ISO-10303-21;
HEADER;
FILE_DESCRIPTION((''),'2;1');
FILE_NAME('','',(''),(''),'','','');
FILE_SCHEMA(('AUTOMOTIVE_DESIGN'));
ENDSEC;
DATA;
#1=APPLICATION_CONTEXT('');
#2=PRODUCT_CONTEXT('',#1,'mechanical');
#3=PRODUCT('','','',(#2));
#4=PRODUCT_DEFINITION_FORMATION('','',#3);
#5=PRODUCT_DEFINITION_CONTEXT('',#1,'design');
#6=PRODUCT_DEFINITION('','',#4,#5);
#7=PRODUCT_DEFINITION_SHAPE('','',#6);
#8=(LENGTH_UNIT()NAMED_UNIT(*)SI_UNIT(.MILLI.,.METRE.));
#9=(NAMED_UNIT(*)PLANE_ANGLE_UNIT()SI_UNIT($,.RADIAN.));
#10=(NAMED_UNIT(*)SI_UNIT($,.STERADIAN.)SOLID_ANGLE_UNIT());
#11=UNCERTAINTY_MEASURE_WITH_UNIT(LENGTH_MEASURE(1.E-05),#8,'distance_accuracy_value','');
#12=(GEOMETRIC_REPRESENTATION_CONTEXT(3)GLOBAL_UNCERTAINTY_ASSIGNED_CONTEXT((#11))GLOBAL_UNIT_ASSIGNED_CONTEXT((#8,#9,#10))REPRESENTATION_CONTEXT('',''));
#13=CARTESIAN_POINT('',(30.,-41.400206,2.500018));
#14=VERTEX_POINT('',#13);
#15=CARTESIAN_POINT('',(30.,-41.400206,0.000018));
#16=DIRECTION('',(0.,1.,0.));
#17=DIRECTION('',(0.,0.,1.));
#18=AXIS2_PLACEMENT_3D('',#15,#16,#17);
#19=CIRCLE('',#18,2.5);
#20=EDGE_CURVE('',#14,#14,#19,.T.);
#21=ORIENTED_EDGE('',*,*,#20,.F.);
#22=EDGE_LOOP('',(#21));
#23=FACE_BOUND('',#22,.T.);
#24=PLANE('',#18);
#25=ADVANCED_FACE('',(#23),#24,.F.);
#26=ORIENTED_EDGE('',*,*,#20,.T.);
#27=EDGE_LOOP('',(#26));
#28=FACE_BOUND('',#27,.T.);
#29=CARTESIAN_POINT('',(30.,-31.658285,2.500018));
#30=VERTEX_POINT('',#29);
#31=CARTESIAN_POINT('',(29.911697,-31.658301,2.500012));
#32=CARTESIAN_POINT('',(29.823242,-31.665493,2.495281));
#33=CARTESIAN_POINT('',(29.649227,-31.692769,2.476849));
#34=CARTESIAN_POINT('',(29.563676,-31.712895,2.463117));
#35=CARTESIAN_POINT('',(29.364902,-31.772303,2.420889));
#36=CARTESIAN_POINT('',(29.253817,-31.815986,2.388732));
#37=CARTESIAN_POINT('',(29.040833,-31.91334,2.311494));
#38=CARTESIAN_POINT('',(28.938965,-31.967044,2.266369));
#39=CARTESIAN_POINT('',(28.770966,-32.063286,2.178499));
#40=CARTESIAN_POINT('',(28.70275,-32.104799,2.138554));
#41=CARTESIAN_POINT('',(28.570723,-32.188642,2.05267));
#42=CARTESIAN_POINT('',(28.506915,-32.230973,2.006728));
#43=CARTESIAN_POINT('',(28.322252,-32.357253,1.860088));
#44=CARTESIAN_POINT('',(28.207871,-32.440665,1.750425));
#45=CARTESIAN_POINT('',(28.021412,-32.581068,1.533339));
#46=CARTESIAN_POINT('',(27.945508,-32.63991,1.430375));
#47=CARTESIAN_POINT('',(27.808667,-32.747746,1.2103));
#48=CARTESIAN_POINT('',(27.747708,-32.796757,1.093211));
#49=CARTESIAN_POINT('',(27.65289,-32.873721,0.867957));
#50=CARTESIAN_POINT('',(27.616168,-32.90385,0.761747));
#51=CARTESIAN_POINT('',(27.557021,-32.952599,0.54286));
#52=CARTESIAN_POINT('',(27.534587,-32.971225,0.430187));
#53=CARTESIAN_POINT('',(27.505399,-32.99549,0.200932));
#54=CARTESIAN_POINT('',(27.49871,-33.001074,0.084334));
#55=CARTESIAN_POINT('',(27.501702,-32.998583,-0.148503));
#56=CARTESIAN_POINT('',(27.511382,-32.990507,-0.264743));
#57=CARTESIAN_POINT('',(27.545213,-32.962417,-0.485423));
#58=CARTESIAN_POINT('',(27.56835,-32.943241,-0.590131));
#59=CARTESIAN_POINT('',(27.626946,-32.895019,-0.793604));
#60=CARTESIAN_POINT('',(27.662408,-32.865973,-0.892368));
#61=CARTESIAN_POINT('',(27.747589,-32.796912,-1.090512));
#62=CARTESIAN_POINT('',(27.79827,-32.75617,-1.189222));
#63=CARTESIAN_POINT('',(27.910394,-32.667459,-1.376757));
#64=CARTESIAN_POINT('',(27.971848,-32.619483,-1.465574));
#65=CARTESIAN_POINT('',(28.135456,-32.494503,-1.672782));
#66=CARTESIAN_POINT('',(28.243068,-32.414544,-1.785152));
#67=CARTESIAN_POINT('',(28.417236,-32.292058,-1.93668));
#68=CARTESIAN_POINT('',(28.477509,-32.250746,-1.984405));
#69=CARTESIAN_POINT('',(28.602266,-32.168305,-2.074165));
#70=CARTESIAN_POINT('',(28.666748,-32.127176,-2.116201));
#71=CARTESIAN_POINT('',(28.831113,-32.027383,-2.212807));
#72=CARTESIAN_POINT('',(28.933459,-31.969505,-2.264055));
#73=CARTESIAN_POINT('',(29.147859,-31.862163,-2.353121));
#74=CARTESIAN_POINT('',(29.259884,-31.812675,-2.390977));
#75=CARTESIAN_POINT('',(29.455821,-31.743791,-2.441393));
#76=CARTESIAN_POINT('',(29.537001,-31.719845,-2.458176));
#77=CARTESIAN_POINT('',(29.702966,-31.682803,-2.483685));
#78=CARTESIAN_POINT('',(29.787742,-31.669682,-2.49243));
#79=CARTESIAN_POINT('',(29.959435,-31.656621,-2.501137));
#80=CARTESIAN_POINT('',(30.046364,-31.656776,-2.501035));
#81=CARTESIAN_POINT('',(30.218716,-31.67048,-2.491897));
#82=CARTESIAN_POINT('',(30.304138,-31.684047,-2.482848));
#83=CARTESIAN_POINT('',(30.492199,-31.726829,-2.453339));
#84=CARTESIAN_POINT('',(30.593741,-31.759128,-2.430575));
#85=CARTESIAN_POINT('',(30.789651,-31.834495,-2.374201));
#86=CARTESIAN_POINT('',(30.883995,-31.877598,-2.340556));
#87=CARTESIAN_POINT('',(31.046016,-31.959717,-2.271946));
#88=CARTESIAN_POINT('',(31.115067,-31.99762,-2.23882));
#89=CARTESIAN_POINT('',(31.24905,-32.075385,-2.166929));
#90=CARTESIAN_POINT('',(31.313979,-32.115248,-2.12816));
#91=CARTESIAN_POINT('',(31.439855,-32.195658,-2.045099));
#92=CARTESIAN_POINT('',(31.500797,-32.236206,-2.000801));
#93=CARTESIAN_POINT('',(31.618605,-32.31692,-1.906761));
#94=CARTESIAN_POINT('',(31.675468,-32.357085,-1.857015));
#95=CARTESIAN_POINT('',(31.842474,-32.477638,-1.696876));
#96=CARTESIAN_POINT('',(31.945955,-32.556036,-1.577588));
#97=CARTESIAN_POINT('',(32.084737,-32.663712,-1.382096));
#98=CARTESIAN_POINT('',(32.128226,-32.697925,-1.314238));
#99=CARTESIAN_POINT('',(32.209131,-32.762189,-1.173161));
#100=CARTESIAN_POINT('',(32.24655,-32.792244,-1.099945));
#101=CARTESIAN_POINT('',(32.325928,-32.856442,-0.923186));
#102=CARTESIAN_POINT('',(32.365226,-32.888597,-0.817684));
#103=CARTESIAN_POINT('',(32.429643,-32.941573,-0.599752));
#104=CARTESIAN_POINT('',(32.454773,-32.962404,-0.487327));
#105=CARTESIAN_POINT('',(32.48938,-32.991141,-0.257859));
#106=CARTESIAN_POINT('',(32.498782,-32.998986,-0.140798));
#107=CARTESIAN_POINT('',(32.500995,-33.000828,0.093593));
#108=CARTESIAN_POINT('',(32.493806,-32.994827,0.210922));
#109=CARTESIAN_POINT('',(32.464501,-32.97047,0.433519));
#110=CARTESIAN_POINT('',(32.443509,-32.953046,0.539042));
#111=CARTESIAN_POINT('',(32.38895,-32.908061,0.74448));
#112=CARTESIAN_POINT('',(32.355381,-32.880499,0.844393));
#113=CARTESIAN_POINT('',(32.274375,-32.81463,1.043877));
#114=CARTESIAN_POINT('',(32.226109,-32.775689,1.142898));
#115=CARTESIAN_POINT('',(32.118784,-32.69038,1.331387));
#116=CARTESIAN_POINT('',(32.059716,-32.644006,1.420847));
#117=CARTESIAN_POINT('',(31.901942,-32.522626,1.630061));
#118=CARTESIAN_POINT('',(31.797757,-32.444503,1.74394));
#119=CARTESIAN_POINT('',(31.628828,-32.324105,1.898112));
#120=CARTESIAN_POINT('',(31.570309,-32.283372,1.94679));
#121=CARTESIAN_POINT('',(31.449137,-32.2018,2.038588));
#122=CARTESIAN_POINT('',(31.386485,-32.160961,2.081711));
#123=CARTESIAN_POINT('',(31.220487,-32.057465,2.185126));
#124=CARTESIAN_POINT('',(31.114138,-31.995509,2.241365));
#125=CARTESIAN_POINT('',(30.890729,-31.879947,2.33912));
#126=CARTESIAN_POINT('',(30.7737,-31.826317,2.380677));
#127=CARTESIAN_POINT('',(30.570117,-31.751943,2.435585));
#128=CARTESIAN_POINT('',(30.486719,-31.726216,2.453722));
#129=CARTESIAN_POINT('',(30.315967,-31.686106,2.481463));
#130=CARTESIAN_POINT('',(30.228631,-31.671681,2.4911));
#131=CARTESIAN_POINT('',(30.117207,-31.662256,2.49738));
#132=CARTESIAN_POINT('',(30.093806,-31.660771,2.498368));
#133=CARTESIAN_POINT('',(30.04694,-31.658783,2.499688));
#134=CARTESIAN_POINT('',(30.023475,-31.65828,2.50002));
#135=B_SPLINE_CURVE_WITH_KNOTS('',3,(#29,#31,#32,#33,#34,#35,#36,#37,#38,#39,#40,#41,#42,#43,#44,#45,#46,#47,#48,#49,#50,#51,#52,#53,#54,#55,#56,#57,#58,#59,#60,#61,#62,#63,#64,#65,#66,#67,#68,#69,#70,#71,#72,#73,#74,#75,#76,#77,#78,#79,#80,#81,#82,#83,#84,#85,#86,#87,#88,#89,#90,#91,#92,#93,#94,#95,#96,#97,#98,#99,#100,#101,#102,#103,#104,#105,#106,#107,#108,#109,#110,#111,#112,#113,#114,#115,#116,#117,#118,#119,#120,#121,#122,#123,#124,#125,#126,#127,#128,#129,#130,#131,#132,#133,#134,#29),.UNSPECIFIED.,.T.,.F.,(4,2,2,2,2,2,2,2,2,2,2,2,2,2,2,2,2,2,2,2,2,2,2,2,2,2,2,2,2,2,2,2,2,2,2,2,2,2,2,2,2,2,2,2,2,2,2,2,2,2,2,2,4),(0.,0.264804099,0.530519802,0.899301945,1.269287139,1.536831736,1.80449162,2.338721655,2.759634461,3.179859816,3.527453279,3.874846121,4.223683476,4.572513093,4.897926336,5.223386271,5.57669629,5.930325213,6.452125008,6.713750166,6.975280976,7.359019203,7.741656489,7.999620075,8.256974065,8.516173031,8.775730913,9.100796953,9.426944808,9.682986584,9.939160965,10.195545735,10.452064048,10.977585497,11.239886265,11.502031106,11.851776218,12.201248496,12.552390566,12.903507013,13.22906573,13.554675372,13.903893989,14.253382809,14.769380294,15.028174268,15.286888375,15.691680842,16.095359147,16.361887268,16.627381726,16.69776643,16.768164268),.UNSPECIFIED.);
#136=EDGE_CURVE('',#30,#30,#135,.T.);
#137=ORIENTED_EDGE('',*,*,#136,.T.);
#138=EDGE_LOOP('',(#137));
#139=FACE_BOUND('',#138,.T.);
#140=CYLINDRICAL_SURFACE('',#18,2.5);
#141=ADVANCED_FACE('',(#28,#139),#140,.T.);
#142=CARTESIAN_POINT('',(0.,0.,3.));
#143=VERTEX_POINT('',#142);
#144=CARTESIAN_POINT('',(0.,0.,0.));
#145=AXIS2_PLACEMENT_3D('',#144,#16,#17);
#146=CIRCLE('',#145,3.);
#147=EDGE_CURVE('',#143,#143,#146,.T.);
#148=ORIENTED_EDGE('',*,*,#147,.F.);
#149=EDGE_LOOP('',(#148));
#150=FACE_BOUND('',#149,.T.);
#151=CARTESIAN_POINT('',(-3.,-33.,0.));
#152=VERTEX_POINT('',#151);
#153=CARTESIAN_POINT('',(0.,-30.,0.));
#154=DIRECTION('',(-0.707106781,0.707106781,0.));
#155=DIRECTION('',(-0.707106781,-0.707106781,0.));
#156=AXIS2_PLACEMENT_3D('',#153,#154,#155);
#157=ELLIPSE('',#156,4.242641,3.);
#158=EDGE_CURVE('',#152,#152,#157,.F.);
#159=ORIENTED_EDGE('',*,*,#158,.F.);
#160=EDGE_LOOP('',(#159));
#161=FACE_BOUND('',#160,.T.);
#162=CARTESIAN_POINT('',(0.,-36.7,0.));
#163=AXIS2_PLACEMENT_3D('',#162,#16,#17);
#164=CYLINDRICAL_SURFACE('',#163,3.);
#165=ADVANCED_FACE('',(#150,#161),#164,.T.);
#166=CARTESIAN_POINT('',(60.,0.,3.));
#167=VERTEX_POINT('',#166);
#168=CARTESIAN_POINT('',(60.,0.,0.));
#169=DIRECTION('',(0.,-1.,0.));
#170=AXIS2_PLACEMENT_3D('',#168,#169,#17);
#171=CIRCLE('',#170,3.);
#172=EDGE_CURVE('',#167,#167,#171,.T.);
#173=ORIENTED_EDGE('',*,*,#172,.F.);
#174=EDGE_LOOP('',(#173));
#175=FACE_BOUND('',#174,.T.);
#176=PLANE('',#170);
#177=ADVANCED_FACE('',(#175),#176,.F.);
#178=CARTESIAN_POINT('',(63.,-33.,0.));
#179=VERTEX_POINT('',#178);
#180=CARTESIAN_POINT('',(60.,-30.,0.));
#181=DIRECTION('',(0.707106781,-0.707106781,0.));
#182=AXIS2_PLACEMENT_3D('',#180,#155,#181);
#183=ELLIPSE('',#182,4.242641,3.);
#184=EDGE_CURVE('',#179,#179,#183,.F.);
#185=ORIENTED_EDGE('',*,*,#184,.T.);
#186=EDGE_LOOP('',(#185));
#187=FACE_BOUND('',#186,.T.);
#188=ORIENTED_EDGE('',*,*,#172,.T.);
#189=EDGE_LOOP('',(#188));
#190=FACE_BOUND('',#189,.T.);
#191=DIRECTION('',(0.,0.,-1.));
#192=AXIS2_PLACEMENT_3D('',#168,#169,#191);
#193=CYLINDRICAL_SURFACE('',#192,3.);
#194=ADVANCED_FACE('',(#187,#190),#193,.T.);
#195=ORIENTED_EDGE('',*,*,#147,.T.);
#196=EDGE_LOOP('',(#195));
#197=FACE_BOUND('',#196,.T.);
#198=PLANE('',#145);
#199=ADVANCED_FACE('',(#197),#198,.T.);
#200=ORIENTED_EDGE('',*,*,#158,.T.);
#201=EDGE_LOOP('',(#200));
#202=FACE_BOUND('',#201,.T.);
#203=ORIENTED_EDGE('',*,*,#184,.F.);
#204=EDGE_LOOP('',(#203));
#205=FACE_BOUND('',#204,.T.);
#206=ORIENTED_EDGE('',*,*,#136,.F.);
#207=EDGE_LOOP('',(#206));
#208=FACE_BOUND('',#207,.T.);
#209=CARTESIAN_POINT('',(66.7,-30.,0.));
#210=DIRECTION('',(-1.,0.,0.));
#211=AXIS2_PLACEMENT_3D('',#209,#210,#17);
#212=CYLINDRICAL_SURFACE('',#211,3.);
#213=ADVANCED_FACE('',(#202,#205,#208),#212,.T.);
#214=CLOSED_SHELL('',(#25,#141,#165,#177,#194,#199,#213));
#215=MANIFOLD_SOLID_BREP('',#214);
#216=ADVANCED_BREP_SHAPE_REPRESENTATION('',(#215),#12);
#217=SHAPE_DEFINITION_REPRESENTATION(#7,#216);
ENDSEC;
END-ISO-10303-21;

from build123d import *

# Parameters (mm, degrees)
SKETCH_1_R      = 3
SKETCH_4_R      = 2.5
EXTRUDE_1_DEPTH = 11.25


with BuildPart() as part:
    # 扫描1: sweep along a path in 草图2
    with BuildLine(Plane.XY) as sweep_1_path:
        Line((0, 0), (0, -30))
        Line((0, -30), (60, -30))
        Line((60, -30), (60, 0))
    # 草图1 → 扫描1 (sweep)
    with BuildSketch(Plane(origin=(0, 0, 0), x_dir=(1, 0, 0), z_dir=(0, 1, 0))):
        Circle(SKETCH_1_R)
    sweep(path=sweep_1_path.line, transition=Transition.RIGHT)

    # 草图4 → 凸台-拉伸1 (add)
    with BuildSketch(Plane(origin=(30, -30.150206029, 1.8381e-05), x_dir=(1, 0, 0), z_dir=(0, 1, 0))):
        Circle(SKETCH_4_R)
    extrude(amount=-EXTRUDE_1_DEPTH)


solid = part.part
